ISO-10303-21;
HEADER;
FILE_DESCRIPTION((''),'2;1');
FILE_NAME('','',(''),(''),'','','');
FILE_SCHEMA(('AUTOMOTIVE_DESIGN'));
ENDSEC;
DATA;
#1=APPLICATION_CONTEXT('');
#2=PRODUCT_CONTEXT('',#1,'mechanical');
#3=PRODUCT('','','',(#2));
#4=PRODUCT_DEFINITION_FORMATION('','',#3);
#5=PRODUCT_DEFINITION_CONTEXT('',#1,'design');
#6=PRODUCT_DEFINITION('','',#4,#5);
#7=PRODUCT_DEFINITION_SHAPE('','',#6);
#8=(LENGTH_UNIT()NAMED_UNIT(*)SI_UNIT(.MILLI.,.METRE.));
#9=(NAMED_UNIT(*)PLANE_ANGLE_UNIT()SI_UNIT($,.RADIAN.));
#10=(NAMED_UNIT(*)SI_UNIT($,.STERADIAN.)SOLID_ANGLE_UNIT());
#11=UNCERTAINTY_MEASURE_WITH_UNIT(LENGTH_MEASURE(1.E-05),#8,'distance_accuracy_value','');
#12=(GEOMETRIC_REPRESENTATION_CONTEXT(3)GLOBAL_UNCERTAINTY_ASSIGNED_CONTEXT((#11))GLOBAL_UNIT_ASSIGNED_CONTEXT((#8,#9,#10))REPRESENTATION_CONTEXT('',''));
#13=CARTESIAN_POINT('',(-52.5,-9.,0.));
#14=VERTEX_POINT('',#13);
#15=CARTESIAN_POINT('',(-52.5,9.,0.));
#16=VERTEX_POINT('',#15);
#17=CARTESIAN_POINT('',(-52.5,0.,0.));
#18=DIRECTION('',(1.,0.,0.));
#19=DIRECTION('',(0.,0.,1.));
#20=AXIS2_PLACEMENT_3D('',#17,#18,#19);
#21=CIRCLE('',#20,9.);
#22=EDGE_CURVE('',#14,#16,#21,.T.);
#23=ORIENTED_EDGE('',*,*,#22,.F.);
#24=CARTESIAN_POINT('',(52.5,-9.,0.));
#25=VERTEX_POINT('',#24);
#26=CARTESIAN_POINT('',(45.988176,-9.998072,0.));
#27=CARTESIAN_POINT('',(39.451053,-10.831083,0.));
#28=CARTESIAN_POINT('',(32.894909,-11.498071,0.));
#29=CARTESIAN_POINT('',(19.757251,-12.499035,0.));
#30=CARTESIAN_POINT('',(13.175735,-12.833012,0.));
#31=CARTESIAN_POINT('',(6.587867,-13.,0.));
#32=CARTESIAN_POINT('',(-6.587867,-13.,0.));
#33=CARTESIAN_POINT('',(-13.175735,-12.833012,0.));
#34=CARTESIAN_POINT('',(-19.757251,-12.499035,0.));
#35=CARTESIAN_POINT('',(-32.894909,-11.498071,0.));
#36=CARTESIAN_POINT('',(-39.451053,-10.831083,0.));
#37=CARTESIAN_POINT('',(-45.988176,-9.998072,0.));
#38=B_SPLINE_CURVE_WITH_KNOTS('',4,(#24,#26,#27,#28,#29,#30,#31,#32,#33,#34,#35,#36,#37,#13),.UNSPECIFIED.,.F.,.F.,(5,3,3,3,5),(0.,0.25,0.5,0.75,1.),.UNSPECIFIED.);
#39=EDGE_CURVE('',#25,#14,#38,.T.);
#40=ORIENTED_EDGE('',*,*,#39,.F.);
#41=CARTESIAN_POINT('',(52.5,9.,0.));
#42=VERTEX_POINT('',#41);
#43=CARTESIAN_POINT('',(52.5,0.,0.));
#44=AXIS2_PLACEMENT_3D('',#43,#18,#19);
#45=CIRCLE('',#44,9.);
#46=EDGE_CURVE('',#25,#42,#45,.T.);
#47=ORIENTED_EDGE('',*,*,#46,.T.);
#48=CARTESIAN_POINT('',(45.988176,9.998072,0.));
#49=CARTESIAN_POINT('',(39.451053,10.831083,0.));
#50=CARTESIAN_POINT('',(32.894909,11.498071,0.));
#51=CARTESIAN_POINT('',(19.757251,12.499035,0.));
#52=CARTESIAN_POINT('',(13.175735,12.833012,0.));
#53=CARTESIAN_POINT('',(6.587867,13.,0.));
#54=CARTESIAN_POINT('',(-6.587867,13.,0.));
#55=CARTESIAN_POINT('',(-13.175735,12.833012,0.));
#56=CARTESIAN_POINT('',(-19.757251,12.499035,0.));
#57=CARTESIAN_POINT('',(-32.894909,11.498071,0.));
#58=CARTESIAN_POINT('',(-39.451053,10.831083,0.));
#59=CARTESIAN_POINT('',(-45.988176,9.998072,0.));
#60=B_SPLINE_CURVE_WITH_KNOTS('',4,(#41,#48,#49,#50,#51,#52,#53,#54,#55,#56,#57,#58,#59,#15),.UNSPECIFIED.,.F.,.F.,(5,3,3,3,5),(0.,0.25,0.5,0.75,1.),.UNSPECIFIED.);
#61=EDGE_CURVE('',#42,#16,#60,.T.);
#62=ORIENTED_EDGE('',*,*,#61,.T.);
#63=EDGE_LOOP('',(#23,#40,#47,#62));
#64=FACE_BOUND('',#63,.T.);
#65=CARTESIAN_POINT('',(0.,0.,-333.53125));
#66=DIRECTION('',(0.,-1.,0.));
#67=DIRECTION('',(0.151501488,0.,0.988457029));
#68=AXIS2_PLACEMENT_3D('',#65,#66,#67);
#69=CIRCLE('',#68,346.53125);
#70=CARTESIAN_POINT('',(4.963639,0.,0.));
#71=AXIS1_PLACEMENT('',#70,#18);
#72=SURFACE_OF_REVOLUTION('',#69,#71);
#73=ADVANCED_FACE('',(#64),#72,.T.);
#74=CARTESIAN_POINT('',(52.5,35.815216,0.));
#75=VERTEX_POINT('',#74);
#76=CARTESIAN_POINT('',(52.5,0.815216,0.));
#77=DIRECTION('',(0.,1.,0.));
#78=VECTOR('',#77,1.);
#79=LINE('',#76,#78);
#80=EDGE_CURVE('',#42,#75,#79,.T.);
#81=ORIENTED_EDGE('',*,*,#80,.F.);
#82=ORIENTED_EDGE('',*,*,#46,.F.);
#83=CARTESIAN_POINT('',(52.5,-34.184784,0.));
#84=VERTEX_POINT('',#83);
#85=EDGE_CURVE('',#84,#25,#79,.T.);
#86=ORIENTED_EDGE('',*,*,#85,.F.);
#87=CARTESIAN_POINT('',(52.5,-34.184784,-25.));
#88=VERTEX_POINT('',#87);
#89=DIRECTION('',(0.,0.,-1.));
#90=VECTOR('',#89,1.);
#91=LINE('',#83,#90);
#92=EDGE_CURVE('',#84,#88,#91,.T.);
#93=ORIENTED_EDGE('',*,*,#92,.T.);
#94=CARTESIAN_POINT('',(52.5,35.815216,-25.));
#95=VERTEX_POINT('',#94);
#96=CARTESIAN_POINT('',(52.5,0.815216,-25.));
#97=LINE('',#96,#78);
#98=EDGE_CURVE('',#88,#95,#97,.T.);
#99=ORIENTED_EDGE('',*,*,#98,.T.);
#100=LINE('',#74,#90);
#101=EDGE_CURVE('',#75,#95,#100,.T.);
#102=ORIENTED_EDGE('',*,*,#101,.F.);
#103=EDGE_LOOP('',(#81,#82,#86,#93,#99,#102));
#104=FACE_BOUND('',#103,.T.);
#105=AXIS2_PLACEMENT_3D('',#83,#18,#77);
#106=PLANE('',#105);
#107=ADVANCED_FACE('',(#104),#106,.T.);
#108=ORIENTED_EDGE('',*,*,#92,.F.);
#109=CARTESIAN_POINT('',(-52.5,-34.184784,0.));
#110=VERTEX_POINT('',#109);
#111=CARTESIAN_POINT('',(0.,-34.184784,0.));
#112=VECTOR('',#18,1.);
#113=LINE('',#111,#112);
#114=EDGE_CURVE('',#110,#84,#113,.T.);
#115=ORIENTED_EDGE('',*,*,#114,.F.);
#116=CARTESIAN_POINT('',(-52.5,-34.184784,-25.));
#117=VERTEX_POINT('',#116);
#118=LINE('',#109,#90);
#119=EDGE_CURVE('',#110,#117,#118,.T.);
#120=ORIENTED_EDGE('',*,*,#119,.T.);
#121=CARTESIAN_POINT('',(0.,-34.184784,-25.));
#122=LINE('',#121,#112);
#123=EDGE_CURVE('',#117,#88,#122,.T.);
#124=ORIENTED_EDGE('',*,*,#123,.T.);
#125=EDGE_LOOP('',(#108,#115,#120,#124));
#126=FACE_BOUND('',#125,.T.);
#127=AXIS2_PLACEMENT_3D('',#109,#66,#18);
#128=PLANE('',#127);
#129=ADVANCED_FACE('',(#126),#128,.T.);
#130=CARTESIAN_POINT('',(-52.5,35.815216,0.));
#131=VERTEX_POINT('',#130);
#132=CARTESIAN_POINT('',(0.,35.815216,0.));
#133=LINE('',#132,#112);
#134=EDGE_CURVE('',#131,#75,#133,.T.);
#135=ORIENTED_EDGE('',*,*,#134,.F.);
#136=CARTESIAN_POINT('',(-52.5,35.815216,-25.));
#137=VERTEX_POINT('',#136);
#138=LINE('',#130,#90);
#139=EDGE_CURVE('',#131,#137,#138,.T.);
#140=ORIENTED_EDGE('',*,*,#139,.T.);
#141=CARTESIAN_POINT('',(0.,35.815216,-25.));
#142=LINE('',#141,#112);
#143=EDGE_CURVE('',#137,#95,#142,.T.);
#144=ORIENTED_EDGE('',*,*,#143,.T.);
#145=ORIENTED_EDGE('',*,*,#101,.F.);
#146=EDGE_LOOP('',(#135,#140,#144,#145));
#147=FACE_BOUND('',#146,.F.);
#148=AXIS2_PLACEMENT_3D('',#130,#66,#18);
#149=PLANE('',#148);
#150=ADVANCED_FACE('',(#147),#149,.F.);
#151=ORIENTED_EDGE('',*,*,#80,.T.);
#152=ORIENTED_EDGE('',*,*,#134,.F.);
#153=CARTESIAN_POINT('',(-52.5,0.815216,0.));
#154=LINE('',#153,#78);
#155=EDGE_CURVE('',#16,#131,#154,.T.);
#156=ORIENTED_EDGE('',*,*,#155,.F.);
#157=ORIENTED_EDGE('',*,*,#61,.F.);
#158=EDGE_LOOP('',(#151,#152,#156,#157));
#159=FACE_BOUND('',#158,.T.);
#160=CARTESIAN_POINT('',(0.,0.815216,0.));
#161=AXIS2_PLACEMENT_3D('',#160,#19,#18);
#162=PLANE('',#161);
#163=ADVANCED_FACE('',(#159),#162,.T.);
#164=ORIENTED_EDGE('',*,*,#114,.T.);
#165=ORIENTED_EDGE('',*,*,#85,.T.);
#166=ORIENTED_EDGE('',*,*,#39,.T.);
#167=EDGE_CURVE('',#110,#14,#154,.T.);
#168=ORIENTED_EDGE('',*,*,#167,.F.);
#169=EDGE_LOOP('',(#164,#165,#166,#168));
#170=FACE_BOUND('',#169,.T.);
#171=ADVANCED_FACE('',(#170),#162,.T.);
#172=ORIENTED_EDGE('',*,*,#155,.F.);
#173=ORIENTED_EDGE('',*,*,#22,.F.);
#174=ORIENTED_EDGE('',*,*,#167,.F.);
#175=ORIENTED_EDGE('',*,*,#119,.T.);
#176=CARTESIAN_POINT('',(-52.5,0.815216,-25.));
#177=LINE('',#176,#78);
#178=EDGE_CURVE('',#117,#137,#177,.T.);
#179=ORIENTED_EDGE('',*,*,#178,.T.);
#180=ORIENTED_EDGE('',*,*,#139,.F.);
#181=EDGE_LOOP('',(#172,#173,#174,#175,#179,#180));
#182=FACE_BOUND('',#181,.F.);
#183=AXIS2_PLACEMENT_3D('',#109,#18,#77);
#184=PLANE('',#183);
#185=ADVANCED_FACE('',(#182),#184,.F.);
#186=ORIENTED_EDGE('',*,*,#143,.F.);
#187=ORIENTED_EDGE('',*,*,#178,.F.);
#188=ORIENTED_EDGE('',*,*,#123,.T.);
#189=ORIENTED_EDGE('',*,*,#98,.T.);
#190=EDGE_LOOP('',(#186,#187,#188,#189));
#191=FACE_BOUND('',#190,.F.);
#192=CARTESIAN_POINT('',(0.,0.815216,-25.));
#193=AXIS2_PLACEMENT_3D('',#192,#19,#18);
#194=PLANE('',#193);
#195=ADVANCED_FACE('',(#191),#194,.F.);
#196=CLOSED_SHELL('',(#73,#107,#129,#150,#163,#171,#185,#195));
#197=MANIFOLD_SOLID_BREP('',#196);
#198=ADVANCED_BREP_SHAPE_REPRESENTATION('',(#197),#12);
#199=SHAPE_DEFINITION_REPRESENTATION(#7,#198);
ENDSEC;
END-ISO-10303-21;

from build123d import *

# Parameters (mm, degrees)
F1_W     = 105
F1_H     = 70
F2_DEPTH = 25
F4_ANGLE = -180


with BuildPart() as f2:
    # F1 (on Top) → F2 (new body)
    with BuildSketch(Plane.XY):
        with Locations((0, 0.815216)):
            Rectangle(F1_W, F1_H)
    extrude(amount=-F2_DEPTH)

    # F0 (on Front) → F3 (revolve, cut)
    with BuildSketch(Plane.XZ):
        with BuildLine():
            Line((-52.5, 9), (-52.5, 0))
            Line((-52.5, 0), (52.5, 0))
            Line((52.5, 0), (52.5, 9))
            ThreePointArc((52.5, 9), (0, 13), (-52.5, 9))
        make_face()
    revolve(axis=Axis((4.963639, 0, 0), (1, 0, 0)), mode=Mode.SUBTRACT)


with BuildPart() as f4_1:
    # F4: copy of F2
    add(f2.part.rotate(Axis((52.5, 0, 0), (1, 0, 0)), F4_ANGLE))


solid = f2.part
